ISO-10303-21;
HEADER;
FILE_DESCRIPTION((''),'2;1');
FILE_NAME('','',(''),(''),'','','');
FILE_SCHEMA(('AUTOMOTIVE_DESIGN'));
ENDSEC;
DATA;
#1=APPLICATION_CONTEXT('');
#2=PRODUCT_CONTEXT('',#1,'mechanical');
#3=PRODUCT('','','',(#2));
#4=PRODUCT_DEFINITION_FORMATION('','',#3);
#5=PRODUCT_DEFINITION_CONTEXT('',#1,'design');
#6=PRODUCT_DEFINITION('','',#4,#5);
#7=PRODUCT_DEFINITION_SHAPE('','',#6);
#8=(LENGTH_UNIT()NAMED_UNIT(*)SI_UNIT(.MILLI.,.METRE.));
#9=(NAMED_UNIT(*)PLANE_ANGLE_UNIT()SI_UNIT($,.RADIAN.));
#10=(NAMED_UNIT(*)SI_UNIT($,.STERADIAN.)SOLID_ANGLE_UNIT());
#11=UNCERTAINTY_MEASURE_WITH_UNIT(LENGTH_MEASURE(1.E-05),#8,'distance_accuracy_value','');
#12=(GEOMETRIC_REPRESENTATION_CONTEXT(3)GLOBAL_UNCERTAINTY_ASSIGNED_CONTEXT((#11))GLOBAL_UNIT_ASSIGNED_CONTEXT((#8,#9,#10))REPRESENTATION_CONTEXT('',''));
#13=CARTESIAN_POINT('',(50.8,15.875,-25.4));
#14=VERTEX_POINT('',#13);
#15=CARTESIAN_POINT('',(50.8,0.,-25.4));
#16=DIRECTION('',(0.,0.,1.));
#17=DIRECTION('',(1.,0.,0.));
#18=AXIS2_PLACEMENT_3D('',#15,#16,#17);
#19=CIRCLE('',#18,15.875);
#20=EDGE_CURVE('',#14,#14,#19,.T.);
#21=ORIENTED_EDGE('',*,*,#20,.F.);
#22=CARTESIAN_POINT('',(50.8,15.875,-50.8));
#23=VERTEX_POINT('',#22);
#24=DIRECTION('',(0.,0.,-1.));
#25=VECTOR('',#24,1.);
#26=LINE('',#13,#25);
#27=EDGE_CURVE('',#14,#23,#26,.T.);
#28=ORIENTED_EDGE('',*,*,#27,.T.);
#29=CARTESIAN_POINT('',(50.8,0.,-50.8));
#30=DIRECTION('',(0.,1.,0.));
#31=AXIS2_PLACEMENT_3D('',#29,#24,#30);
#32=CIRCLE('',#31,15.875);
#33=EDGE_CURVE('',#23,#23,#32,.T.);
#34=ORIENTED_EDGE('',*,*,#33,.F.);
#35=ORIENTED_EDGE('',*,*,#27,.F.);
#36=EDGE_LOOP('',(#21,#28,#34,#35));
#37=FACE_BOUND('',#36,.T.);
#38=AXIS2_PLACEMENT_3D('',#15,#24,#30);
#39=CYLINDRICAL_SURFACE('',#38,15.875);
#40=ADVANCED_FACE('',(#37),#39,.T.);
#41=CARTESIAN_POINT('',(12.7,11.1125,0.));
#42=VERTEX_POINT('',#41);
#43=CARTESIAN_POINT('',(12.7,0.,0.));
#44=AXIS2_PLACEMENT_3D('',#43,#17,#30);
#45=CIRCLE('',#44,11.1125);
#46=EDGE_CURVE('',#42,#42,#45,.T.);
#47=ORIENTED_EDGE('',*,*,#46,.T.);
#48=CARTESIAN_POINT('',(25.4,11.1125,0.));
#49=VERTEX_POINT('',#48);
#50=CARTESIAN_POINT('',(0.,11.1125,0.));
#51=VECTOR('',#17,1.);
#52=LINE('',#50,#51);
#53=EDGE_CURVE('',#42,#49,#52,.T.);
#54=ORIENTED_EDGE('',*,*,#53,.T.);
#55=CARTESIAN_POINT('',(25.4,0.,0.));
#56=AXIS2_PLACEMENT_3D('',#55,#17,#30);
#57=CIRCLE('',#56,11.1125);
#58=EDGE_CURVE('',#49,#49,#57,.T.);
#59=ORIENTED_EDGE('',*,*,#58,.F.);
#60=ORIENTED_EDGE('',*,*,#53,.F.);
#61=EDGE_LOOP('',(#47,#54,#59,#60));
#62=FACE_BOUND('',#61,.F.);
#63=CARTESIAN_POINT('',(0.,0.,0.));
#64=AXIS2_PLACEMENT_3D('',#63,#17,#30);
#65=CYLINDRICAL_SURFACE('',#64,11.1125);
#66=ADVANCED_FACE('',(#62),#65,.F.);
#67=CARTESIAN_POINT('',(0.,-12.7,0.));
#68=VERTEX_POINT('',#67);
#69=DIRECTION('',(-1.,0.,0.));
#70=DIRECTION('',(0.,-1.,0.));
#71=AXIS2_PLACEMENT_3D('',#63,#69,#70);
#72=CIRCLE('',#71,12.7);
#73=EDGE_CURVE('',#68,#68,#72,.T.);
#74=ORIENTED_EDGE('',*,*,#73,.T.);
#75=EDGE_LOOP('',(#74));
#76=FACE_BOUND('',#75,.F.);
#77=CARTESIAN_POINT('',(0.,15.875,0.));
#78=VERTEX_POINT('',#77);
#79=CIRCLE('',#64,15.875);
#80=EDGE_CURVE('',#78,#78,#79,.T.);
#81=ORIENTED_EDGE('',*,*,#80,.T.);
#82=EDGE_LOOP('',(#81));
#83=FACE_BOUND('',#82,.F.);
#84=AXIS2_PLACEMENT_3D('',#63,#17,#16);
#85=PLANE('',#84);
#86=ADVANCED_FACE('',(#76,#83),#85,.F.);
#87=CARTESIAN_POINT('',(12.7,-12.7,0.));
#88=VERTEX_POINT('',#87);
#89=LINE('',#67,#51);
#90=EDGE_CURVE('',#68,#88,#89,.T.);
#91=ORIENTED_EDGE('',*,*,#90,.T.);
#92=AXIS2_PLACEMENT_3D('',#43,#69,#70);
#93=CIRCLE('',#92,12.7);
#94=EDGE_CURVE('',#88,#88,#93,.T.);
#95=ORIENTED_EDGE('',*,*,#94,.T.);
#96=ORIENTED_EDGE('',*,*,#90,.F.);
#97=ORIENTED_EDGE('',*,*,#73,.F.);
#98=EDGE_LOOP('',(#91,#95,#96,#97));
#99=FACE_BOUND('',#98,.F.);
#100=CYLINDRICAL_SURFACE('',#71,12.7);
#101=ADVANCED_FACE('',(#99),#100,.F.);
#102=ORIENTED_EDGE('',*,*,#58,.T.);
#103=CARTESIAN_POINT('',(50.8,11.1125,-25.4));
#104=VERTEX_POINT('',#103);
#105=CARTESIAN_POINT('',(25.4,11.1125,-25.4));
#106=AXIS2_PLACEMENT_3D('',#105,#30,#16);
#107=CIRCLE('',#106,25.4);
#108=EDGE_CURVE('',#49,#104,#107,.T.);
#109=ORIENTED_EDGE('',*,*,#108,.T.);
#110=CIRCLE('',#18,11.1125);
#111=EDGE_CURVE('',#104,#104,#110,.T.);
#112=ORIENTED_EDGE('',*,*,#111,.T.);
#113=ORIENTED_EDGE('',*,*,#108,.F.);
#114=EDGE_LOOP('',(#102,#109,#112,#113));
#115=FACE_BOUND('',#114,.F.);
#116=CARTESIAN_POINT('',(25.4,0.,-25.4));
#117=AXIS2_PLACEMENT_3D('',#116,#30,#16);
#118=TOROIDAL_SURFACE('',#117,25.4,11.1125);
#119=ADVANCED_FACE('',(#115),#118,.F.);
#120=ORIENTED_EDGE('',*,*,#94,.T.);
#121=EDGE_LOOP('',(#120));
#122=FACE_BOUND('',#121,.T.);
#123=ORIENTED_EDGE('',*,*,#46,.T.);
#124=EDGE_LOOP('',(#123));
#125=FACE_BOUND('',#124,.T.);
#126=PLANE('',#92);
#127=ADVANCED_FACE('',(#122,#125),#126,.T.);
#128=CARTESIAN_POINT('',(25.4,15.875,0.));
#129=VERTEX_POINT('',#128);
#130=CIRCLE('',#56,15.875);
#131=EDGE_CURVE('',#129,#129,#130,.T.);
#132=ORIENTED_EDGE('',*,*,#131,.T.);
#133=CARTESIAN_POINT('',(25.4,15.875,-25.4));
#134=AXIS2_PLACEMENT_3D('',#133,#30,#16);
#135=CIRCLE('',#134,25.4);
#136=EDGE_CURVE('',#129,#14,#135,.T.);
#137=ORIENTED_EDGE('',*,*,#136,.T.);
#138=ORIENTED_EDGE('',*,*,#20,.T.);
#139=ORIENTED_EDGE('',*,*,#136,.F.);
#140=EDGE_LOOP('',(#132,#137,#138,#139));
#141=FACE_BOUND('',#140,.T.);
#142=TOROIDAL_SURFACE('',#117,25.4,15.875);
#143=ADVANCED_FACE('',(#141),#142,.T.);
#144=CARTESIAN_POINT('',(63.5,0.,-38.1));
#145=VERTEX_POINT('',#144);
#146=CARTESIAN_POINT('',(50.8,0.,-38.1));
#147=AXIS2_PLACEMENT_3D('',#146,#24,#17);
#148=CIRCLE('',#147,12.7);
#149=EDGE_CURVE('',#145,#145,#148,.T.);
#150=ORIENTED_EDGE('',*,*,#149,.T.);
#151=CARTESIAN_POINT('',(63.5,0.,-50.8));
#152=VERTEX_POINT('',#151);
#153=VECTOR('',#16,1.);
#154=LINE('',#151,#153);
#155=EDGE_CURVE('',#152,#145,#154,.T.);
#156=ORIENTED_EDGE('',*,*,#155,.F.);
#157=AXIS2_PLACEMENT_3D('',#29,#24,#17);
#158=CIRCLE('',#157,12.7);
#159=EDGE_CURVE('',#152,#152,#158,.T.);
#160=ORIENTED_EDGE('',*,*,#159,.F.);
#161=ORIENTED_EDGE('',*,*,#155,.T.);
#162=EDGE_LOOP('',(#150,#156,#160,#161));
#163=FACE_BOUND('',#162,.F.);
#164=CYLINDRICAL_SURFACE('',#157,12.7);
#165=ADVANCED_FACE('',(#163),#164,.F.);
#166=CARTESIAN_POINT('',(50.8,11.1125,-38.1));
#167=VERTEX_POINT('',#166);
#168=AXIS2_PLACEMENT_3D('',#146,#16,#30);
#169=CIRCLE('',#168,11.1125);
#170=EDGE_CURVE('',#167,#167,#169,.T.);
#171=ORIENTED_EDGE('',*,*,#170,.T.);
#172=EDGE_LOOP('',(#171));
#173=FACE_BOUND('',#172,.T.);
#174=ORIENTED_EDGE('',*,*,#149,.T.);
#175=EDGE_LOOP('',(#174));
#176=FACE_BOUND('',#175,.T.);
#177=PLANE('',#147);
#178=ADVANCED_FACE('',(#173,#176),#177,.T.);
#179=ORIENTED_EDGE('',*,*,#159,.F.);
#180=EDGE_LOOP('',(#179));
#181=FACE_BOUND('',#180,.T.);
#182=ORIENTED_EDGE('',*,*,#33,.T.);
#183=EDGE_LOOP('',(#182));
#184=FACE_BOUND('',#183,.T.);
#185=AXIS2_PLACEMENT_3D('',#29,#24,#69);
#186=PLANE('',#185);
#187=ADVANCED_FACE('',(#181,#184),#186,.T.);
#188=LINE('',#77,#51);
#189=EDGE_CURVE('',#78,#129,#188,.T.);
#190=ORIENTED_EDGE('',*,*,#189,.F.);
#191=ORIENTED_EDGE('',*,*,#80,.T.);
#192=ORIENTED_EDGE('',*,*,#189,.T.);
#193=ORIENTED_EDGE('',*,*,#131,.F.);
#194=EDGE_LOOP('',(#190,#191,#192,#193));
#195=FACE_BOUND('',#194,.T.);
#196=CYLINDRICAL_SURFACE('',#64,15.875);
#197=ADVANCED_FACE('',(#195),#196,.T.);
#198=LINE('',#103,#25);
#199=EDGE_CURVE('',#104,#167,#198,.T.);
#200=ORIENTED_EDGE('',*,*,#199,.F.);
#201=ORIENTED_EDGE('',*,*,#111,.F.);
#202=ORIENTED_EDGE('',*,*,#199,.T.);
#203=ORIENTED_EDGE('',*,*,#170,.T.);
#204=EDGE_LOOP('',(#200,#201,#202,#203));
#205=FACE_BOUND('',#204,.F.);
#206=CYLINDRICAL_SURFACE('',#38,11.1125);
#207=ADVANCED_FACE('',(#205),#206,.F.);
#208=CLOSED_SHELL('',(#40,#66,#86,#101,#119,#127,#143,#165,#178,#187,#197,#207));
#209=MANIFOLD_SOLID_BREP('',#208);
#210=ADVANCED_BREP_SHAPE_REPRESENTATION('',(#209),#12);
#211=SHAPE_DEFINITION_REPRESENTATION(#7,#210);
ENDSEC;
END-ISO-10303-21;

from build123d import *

# Parameters (mm, degrees)
F0_R     = 15.875
F0_R_2   = 11.1125
F3_R     = 12.7
F3_R_2   = 11.1125
F4_DEPTH = 12.7
F5_R     = 12.7
F5_R_2   = 11.1125
F6_DEPTH = 12.7


with BuildPart() as f2:
    # F2: sweep along a path in F1
    with BuildLine(Plane.XZ) as f2_path:
        Line((0, 0), (25.4, 0))
        ThreePointArc((25.4, 0), (43.3605122421, -7.4394877579), (50.8, -25.4))
        Line((50.8, -25.4), (50.8, -50.8))
    # F0 (on Right) → F2 (sweep)
    with BuildSketch(Plane.YZ):
        Circle(F0_R)
        Circle(F0_R_2, mode=Mode.SUBTRACT)
    sweep(path=f2_path.line)

    # F3 (on face) → F4 (cut)
    with BuildSketch(Plane(origin=(0, 0, 0), x_dir=(0, -1, 0), z_dir=(-1, 0, 0))):
        Circle(F3_R)
        Circle(F3_R_2, mode=Mode.SUBTRACT)
    extrude(amount=-F4_DEPTH, mode=Mode.SUBTRACT)

    # F5 (on face) → F6 (cut)
    with BuildSketch(Plane(origin=(0, 0, -50.8), x_dir=(1, 0, 0), z_dir=(0, 0, -1))):
        with Locations((50.8, 0)):
            Circle(F5_R)
        with Locations((50.8, 0)):
            Circle(F5_R_2, mode=Mode.SUBTRACT)
    extrude(amount=-F6_DEPTH, mode=Mode.SUBTRACT)


solid = f2.part
